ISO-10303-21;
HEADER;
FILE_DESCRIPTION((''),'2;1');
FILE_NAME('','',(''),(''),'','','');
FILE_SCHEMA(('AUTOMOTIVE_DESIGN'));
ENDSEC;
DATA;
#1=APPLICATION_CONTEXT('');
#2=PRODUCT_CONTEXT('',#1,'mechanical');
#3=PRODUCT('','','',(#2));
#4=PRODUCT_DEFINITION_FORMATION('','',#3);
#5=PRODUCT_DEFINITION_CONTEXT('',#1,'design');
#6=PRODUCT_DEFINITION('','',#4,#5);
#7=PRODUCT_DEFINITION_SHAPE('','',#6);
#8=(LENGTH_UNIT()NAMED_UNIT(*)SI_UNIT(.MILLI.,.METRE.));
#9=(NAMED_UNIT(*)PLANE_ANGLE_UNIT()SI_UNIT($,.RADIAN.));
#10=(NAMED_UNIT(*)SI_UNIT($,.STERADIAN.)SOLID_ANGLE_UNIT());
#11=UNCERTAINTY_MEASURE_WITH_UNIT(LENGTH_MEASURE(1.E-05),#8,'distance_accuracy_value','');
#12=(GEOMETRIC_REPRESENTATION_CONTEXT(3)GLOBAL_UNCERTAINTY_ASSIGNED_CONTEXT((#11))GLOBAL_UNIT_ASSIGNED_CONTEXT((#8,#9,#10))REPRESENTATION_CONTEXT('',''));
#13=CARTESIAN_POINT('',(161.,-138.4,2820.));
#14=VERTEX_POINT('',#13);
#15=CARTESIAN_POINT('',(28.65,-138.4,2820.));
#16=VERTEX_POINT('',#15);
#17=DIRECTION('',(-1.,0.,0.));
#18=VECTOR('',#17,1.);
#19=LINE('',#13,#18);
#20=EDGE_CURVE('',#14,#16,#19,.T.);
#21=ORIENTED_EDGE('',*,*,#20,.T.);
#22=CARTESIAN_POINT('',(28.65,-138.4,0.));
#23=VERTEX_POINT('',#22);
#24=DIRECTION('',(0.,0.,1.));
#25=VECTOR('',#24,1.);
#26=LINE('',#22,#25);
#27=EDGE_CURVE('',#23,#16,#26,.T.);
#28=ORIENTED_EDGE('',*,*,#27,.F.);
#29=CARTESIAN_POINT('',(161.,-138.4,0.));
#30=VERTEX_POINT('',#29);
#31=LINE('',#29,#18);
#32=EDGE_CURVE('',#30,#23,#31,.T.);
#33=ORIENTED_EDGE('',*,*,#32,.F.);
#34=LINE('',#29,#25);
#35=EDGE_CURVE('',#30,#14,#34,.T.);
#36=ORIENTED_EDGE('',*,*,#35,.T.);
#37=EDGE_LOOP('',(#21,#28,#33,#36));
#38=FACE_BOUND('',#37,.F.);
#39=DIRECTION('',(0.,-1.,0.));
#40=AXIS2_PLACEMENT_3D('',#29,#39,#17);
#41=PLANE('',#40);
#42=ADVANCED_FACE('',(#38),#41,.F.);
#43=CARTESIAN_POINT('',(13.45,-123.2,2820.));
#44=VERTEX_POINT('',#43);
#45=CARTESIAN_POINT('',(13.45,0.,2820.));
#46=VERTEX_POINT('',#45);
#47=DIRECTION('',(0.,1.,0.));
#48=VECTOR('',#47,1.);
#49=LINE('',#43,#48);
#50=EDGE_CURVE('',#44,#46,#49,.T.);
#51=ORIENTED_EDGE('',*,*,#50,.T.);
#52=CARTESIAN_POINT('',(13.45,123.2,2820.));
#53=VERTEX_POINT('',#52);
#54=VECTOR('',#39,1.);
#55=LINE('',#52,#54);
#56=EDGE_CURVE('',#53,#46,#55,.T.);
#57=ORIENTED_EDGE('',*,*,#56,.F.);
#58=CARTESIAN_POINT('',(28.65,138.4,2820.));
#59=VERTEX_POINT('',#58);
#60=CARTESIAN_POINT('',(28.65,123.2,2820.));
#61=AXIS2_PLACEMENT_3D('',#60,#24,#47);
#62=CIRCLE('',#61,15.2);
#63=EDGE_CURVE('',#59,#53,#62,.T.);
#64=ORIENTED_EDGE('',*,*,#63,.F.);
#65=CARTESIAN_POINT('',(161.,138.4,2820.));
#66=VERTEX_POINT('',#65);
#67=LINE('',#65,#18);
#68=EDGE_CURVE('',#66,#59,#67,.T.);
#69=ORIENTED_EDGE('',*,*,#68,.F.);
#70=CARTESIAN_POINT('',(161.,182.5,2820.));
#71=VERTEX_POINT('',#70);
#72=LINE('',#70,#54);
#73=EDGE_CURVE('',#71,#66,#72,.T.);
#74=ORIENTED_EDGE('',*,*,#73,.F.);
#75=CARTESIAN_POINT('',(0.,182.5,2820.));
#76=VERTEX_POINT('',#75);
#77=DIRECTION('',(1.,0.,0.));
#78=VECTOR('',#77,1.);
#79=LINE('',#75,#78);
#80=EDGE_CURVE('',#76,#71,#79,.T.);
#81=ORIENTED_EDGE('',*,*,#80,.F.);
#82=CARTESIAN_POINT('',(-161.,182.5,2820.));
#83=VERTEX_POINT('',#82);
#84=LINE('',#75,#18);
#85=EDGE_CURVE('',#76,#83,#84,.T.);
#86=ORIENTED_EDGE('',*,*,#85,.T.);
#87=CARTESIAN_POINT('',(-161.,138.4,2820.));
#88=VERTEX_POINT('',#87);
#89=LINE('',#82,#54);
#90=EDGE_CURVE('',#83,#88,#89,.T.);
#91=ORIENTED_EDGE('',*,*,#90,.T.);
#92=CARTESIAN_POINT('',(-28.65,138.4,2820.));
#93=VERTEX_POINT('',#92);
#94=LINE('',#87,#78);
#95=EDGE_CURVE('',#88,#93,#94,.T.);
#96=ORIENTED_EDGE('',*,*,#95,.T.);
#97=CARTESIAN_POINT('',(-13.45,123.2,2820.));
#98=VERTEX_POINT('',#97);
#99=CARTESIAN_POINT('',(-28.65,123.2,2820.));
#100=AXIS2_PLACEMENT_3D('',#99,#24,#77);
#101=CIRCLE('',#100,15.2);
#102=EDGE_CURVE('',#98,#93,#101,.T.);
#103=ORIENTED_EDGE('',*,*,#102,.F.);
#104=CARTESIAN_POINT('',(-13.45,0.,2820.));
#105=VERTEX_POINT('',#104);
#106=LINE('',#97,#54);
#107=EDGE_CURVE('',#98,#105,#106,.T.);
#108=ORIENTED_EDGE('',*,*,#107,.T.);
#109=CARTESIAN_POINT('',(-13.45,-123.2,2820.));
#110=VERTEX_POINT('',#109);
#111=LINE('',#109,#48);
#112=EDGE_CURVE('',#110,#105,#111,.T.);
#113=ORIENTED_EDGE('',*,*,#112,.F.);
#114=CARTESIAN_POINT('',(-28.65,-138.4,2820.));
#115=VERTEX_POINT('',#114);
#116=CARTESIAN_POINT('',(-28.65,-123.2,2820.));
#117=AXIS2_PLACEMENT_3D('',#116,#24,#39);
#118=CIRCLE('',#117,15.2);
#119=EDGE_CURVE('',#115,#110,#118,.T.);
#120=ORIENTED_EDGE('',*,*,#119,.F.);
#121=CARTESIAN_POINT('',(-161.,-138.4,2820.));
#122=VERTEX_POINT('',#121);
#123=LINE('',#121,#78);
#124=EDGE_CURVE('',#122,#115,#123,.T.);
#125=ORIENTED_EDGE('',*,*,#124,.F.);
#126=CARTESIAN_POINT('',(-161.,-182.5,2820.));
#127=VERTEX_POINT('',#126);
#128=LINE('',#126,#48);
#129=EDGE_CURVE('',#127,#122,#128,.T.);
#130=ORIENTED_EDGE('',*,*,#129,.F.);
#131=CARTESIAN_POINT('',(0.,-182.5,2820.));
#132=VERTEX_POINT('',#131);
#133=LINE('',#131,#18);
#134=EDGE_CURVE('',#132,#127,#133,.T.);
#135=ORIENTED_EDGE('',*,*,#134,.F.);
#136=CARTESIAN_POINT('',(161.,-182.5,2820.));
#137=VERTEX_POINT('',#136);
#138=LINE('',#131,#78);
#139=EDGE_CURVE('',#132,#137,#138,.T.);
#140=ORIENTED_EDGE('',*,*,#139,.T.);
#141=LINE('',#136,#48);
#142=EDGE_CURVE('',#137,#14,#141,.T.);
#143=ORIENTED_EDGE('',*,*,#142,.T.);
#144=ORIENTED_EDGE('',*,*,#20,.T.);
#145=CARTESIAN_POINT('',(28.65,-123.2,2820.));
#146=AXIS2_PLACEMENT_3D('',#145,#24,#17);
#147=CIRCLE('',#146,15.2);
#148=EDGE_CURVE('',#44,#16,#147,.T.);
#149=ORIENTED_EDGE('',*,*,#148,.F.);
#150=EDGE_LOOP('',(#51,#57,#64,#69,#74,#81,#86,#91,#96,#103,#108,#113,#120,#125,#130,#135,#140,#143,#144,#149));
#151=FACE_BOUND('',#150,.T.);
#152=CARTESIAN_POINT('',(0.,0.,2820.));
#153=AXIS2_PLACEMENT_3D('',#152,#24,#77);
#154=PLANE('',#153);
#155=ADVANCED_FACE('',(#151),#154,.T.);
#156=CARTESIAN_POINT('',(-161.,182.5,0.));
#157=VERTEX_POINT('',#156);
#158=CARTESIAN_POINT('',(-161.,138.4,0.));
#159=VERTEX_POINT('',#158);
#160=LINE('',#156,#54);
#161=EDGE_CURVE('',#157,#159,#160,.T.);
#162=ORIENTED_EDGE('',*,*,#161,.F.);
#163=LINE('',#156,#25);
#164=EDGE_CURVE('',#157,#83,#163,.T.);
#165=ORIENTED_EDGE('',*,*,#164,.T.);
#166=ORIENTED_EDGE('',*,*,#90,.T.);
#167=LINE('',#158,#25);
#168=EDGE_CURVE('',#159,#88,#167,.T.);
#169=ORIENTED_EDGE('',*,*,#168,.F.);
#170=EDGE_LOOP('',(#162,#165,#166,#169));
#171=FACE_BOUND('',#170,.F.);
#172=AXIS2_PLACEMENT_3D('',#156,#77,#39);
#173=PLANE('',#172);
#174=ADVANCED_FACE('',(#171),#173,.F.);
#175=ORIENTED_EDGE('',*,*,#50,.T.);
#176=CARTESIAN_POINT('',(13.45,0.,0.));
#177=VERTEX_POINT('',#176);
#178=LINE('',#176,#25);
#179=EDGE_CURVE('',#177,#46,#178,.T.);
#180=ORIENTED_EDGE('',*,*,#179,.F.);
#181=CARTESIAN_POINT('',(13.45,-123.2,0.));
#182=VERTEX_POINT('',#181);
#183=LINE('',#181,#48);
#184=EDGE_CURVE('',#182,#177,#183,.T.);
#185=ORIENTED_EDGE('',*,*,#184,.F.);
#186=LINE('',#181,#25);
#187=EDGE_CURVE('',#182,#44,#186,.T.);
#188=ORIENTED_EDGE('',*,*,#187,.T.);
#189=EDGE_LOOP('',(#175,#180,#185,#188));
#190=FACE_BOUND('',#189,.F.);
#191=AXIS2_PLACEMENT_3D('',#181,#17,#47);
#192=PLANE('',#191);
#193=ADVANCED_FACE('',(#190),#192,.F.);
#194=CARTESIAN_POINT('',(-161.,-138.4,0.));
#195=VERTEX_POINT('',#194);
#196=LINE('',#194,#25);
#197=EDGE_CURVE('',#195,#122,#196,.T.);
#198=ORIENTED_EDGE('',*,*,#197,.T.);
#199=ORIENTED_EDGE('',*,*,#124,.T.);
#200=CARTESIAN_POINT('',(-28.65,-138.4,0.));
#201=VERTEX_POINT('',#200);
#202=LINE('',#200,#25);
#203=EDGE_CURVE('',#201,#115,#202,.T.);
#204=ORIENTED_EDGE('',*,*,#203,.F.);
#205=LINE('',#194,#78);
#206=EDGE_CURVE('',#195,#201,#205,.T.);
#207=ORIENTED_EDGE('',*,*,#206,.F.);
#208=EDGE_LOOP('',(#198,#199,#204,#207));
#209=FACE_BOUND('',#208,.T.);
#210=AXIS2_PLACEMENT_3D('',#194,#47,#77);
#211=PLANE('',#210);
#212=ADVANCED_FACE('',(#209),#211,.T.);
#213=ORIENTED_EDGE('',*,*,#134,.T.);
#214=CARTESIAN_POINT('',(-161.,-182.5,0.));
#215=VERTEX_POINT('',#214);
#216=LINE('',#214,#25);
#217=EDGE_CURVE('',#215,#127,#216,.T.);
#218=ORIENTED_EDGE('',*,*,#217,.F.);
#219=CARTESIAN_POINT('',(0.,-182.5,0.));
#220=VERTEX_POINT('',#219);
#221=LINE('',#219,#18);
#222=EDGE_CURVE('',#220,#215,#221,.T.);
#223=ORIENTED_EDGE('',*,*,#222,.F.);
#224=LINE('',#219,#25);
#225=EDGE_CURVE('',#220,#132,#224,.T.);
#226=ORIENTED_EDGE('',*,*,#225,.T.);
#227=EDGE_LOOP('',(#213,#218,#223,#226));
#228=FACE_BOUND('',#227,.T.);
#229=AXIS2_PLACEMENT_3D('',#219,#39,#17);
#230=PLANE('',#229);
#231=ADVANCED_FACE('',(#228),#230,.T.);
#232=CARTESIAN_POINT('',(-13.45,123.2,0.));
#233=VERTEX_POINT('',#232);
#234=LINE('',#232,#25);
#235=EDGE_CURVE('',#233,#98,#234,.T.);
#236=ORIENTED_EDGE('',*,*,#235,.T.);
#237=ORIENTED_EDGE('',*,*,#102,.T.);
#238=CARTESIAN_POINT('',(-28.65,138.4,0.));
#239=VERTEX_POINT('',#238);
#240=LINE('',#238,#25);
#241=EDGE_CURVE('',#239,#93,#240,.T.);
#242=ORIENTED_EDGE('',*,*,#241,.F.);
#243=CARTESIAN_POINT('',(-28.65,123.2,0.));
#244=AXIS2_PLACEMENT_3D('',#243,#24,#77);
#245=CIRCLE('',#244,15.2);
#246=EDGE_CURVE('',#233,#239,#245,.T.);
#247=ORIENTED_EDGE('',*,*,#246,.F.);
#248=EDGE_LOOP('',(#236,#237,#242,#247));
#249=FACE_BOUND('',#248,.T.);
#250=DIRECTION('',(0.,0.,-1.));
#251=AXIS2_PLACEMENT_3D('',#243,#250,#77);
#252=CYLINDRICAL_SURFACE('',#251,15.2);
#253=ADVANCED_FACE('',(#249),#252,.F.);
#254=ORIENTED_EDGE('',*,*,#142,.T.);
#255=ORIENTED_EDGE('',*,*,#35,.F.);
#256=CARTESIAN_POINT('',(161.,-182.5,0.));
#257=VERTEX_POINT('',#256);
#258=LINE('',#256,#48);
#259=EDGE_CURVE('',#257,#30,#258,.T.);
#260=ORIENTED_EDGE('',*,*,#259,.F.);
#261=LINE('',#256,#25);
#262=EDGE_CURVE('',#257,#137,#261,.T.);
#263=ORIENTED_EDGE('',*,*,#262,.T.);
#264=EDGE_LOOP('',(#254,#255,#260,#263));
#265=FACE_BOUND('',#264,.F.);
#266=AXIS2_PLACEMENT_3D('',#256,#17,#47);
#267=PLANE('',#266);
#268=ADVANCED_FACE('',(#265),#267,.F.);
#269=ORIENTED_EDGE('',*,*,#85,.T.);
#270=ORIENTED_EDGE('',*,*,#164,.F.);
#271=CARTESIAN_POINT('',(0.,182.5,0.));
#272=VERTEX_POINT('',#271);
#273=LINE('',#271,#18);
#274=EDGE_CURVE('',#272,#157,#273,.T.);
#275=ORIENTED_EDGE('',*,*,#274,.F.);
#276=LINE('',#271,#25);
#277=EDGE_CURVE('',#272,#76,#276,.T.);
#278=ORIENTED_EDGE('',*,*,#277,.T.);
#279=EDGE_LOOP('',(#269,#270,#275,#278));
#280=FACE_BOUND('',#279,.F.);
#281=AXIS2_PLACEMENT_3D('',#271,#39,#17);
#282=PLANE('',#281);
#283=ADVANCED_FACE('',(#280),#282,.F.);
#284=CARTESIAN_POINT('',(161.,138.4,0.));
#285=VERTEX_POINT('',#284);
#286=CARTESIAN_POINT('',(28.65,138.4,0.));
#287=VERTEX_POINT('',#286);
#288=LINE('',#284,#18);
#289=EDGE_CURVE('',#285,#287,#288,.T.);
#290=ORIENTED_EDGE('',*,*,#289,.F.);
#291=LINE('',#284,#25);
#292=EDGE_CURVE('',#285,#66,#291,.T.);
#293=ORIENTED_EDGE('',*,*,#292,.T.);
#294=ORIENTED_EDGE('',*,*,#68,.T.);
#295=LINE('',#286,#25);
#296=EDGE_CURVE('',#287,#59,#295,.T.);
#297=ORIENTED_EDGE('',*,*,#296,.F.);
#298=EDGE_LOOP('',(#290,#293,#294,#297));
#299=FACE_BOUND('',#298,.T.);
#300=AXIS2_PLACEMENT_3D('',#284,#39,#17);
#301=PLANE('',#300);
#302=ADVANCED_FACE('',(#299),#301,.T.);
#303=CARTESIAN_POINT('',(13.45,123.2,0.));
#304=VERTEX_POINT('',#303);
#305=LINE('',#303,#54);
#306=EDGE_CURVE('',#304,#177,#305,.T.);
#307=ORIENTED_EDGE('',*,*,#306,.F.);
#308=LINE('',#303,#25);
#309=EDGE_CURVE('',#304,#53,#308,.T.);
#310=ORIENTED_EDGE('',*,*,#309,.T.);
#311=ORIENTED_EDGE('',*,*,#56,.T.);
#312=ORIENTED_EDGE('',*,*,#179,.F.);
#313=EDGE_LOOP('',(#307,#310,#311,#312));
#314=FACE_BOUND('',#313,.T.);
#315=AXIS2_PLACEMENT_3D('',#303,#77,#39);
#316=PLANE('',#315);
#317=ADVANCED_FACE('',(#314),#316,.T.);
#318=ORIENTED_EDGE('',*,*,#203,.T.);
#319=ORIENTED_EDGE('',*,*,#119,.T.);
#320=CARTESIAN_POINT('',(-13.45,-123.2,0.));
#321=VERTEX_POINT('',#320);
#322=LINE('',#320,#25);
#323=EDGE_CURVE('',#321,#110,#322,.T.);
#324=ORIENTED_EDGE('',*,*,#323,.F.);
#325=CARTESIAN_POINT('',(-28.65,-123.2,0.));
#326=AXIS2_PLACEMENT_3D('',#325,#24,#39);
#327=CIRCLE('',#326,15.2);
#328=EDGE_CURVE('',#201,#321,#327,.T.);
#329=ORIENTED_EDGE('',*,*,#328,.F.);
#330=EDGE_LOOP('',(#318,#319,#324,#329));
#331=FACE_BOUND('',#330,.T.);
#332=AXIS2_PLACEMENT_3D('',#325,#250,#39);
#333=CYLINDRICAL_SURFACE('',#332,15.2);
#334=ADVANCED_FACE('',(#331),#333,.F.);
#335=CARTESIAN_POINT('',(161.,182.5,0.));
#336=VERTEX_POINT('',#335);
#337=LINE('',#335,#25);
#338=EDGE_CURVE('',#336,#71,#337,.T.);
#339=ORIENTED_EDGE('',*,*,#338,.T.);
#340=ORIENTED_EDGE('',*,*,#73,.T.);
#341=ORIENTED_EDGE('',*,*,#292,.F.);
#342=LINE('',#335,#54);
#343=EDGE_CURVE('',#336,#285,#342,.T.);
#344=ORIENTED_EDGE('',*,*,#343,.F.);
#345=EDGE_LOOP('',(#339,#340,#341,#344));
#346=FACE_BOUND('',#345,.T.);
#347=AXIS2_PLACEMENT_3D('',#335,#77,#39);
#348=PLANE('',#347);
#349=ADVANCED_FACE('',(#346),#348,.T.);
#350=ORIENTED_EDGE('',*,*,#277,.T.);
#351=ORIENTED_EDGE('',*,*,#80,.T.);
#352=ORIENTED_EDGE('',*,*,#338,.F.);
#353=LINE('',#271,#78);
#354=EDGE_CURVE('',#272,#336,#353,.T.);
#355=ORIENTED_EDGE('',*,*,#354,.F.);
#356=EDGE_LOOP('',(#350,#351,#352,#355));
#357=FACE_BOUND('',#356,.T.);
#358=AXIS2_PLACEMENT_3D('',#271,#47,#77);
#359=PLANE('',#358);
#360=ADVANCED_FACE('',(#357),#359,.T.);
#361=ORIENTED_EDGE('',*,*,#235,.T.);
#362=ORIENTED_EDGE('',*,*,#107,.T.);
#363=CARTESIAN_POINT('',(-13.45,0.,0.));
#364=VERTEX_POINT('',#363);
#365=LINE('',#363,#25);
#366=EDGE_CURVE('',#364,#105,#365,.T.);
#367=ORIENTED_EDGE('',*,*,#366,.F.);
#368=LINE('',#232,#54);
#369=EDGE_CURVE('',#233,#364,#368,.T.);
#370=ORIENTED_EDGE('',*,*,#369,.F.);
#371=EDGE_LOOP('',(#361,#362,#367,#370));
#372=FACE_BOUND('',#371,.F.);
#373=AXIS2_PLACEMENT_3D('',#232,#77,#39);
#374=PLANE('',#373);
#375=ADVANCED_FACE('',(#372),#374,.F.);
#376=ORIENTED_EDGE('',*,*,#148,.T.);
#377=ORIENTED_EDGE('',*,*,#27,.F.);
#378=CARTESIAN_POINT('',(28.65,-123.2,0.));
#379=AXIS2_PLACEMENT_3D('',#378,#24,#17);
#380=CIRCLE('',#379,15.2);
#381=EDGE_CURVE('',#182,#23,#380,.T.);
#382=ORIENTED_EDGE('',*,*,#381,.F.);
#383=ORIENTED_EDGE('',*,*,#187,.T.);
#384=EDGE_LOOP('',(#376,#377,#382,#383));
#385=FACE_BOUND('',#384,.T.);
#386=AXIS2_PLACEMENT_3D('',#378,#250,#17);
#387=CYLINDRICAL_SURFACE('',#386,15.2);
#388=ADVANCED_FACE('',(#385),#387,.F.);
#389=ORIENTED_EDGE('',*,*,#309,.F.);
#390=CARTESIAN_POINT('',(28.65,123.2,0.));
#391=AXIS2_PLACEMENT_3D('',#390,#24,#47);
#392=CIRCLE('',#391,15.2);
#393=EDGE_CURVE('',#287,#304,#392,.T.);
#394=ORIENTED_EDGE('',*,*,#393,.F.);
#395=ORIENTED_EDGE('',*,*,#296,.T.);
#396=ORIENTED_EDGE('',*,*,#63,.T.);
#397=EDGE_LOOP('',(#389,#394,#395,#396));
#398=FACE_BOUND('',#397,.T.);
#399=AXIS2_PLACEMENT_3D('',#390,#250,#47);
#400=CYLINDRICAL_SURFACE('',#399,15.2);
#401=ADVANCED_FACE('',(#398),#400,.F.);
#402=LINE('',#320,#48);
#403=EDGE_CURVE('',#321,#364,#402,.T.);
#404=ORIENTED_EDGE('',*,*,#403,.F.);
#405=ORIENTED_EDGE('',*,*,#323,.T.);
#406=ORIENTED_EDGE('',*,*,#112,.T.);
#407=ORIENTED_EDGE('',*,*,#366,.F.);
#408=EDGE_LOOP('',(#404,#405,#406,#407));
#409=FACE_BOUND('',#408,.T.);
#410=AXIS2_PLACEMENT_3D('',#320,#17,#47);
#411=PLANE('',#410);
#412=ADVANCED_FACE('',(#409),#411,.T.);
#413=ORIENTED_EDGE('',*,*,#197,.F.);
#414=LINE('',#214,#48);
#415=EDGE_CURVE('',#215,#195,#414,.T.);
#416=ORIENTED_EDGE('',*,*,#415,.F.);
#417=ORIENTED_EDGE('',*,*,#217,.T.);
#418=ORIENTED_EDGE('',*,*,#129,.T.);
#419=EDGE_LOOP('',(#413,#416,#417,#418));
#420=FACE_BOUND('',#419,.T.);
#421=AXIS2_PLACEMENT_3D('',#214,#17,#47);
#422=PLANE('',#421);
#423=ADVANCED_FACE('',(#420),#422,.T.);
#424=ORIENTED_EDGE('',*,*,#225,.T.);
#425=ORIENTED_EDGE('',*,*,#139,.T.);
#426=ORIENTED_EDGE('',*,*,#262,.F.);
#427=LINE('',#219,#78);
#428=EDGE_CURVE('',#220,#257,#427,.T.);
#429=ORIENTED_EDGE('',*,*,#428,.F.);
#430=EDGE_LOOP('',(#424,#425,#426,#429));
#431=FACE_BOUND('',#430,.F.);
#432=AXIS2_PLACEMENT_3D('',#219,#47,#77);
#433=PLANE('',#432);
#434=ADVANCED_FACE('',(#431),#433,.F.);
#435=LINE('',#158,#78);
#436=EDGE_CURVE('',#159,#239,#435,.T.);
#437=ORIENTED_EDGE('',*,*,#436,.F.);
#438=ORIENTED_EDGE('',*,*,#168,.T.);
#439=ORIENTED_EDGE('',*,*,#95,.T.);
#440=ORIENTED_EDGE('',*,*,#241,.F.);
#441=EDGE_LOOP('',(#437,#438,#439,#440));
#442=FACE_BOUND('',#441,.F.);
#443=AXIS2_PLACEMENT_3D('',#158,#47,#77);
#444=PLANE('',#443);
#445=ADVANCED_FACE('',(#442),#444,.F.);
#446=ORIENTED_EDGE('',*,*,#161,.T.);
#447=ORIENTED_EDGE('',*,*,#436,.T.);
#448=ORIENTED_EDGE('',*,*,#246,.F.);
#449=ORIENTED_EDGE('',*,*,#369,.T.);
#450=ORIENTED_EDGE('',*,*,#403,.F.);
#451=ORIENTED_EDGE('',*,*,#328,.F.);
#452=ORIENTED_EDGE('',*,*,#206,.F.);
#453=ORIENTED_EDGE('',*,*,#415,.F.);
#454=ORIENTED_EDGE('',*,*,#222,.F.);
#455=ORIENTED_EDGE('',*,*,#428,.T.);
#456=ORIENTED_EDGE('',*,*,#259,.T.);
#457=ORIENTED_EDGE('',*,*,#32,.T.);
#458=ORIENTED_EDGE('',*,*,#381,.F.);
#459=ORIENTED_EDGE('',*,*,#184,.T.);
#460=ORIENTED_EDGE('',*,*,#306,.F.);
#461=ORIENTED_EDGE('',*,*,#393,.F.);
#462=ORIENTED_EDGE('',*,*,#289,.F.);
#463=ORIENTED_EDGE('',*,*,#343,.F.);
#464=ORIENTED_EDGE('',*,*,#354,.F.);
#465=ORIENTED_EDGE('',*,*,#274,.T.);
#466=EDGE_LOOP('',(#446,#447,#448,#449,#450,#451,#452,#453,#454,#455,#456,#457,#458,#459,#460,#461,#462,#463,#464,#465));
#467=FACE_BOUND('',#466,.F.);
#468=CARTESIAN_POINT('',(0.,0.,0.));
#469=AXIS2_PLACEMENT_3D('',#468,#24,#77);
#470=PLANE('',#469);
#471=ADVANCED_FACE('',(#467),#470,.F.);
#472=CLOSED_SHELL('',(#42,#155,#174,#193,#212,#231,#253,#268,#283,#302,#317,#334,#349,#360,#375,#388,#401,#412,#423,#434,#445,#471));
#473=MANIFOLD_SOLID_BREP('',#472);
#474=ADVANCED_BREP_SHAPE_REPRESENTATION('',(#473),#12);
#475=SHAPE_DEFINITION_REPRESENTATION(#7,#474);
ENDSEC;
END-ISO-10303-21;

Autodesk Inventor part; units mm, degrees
ref_plane "YZ Plane" through (0, 0, 0) normal (1, 0, 0) x (0, 1, 0)
ref_plane "Start plane" through (0, 0, 0) normal (0, 0, 1) x (1, 0, 0)
ref_plane "End plane" through (0, 0, 2820) normal (0, 0, 1) x (1, 0, 0)
sketch "Sketch" plane through (0, 0, 0) normal (0, 0, 1) x (1, 0, 0)
  line L0 (-161, -182.5) -> (-161, -138.4)
  line L1 (-161, -138.4) -> (-28.65, -138.4)
  line L2 (-13.45, -123.2) -> (-13.45, 0)
  line L3 (-13.45, 0) -> (0, 0) construction
  line L4 (0, 0) -> (0, -182.5) construction
  line L5 (0, -182.5) -> (-161, -182.5)
  line L6 (-60, 0) -> (80, 0) construction
  line L7 (0, -60) -> (0, 80) construction
  line L8 (161, -182.5) -> (161, -138.4)
  line L9 (161, -138.4) -> (28.65, -138.4)
  line L10 (13.45, -123.2) -> (13.45, 0)
  line L11 (13.45, 0) -> (0, 0) construction
  line L12 (0, -182.5) -> (161, -182.5)
  line L13 (-161, 182.5) -> (-161, 138.4)
  line L14 (-161, 138.4) -> (-28.65, 138.4)
  line L15 (-13.45, 123.2) -> (-13.45, 0)
  line L16 (0, 182.5) -> (-161, 182.5)
  line L17 (161, 182.5) -> (161, 138.4)
  line L18 (161, 138.4) -> (28.65, 138.4)
  line L19 (0, 182.5) -> (161, 182.5)
  line L20 (13.45, 123.2) -> (13.45, 0)
  arc A0 (-13.45, 123.2) -> (-28.65, 138.4) centre (-28.65, 123.2) ccw
  arc A1 (28.65, 138.4) -> (13.45, 123.2) centre (28.65, 123.2) ccw
  arc A2 (13.45, -123.2) -> (28.65, -138.4) centre (28.65, -123.2) ccw
  arc A3 (-28.65, -138.4) -> (-13.45, -123.2) centre (-28.65, -123.2) ccw
  line L21 (0, 108) -> (0, -88) construction
  line L22 (-88, 0) -> (108, 0) construction
  point P0 (-13.45, -138.4)
  point P1 (13.45, -138.4)
  point P2 (-13.45, 138.4)
  point P3 (13.45, 138.4)
  dimension "d1" = 182.5
  dimension "d2" = 44.1
  dimension "d3" = 161
  dimension "d4" = 13.45
  dimension "d10" = 15.2
extrude "Body" add sketch "Sketch" along normal up to surface (2820 mm away) from surface at 0
sketch "Sketch4" plane through (0, 0, 0) normal (0, 0, 1) x (1, 0, 0)
  line L0 (0, 0) -> (10, 0)
ref_plane "Work Plane3" through (0, 0, 0) normal (0, -1, 0) x (1, 0, 0)
sketch "Sketch5" plane through (0, 0, 0) normal (0, -1, 0) x (1, 0, 0)
  line L0 (-2, 0) -> (12, 0) projected
  line L1 (-2, 2820) -> (12, 2820) projected
  dimension "d14" = 2820
equation "\"d1\" = 0.5 * G_H"
equation "\"d2\" = G_T1"
equation "\"d3\" = 0.5 * G_W"
equation "\"d4\" = 0.5 * G_T"
equation "\"d10\" = G_IR"
equation "\"d5\" = G_L"
equation "\"G_W\" = 322"
equation "\"G_H\" = 365"
equation "\"G_T\" = 26.9"
equation "\"G_T1\" = 44.1"
equation "\"G_IR\" = 15.2"
equation "\"G_L\" = d14"
equation "\"G_OFFSET_START\" = 0"
equation "\"G_OFFSET_END\" = 0"
properties part number "AS 3679 - 310 UC - 283 - 2820" material "Steel, Mild"
